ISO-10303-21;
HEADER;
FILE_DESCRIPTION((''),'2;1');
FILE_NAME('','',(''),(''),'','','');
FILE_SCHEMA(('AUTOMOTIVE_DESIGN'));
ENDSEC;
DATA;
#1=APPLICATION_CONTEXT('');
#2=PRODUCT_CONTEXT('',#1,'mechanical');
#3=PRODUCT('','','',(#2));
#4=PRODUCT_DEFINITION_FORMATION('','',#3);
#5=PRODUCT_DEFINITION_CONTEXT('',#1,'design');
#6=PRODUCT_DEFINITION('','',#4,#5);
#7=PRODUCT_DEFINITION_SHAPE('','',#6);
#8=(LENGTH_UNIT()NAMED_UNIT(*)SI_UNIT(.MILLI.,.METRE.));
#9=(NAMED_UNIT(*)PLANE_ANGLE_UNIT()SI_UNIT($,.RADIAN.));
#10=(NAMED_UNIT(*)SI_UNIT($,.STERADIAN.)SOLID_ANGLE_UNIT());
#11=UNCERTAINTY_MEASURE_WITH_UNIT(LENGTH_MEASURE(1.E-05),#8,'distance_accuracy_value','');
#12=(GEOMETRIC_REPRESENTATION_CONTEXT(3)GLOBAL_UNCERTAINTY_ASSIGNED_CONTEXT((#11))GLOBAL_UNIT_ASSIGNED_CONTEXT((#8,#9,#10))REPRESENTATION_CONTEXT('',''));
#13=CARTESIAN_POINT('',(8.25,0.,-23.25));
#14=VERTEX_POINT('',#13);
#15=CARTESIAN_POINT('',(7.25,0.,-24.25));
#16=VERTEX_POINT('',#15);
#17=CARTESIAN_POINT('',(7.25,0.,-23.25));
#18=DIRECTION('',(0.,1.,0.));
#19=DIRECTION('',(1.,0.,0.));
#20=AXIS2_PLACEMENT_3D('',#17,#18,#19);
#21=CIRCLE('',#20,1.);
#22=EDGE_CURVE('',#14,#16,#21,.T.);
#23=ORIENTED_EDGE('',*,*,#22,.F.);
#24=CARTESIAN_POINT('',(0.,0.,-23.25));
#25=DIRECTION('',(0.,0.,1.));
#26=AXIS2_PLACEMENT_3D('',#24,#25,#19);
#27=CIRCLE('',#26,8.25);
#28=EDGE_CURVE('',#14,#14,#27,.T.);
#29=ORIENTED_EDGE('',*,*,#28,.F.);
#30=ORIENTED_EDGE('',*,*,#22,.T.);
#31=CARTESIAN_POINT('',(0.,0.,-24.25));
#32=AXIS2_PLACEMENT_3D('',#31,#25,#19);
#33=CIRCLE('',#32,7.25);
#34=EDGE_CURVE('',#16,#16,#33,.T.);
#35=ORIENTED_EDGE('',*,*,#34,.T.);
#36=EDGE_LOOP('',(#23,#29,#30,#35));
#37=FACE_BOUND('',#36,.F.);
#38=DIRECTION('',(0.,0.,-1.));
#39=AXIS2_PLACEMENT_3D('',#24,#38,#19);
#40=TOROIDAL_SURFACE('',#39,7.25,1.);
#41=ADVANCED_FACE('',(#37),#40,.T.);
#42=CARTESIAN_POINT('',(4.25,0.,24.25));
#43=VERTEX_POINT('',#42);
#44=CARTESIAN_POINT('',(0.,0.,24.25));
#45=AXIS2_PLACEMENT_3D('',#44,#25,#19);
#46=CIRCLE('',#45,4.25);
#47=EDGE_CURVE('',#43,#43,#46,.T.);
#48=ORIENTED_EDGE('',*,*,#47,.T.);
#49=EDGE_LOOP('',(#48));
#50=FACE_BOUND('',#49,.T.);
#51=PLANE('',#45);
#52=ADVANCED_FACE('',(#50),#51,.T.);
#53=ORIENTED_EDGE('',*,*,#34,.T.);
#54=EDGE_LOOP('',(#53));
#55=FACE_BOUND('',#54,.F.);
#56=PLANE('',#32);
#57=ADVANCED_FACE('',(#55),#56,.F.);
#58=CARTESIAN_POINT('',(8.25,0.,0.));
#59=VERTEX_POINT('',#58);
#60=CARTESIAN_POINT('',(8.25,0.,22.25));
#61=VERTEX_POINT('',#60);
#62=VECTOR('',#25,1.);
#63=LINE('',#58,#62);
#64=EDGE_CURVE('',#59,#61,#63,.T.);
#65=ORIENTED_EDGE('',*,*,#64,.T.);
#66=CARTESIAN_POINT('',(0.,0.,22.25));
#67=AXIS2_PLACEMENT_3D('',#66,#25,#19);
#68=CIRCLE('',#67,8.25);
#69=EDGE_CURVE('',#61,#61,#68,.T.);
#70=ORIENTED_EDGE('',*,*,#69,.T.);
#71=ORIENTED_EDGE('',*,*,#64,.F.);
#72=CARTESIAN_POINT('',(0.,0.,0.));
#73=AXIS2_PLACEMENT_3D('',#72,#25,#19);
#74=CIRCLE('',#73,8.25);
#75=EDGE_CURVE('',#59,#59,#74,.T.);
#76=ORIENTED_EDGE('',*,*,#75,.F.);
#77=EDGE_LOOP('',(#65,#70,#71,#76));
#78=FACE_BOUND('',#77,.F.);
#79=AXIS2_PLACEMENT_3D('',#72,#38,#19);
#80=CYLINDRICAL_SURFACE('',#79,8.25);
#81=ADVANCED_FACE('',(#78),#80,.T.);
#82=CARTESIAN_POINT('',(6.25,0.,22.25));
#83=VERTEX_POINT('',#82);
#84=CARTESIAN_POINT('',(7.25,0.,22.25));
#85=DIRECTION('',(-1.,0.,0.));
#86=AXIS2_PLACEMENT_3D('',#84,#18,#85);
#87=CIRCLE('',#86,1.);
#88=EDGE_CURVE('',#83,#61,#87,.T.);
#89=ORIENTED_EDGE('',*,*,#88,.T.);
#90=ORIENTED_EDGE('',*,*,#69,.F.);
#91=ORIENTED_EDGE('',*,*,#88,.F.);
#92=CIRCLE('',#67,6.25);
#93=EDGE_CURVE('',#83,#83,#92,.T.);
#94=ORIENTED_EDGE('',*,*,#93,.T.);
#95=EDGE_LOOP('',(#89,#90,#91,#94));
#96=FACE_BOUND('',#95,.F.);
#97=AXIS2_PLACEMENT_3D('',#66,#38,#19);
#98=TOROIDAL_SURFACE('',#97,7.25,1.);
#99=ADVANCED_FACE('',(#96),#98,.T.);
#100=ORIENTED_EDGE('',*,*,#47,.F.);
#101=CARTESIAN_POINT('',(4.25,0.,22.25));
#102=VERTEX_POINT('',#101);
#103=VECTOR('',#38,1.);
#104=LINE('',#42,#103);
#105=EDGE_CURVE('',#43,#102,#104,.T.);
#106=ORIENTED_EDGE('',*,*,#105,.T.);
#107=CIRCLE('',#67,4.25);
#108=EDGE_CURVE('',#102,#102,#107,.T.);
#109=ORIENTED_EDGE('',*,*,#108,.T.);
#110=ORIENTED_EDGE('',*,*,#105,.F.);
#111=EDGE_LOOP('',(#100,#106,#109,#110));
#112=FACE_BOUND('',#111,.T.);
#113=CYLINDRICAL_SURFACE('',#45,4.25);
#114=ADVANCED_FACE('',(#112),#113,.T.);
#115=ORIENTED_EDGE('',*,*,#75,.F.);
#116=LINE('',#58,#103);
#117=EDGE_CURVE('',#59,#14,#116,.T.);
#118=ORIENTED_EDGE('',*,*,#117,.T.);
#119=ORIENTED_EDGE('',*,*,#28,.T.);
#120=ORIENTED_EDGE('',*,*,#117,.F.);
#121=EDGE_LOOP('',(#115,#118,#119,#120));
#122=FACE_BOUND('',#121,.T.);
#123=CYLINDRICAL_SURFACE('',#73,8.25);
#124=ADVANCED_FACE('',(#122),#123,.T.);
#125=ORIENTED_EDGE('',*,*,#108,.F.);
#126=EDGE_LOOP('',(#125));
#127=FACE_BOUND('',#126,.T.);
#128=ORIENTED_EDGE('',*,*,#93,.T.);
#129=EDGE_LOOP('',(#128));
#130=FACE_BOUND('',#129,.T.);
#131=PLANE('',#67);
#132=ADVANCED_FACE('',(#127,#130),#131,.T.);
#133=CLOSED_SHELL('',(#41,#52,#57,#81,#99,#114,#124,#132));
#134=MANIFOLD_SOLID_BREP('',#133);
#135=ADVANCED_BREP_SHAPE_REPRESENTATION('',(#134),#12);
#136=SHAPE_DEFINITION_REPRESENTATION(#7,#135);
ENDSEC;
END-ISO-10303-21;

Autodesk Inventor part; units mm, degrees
ref_plane "YZ Plane" through (0, 0, 0) normal (1, 0, 0) x (0, 1, 0)
ref_plane "XZ Plane" through (0, 0, 0) normal (0, 1, 0) x (-1, 0, 0)
ref_plane "XY Plane" through (0, 0, 0) normal (0, 0, 1) x (1, 0, 0)
sketch "Sketch1" plane through (0, 0, 0) normal (0, 0, 1) x (1, 0, 0)
  circle A0 centre (0, 0) radius 8.25
  dimension "d0" = 16.5
extrude "cylinder" add sketch "Sketch1" along normal mid plane 48.5
sketch "Sketch7" plane through (0, 0, 24.25) normal (0, 0, 1) x (1, 0, 0)
  circle A0 centre (0, 0) radius 8.25 projected
  circle A1 centre (0, 0) radius 4.25
  circle A2 centre (0, 0) radius 8.25
  dimension "d17" = 8.5
extrude "button" cut sketch "Sketch7" against normal blind 2
fillet "Fillet1" radius 1 1 edges at (-8.25, 0, -24.25)
sketch "Sketch8" plane through (0, 0, 0) normal (0, 1, 0) x (-1, 0, 0)
  arc A0 (-6.25, 22.25) -> (-8.25, 22.25) centre (-7.25, 22.25) ccw
  line L0 (-8.25, 22.25) -> (8.25, 22.25) projected
  line L1 (-6.25, 23.25) -> (-8.25, 23.25)
  line L2 (0, -34.65) -> (0, 34.65) projected
  point P0 (0, 0)
  dimension "d20" = 1
  dimension "d21" = 8.25
revolve "rolled_edge" add sketch "Sketch8" angle 360 about axis through (0, 0, 0) along (0, 0, 1)
properties part number "battery_A_SanyoKR1700AU" material "NiCad"
